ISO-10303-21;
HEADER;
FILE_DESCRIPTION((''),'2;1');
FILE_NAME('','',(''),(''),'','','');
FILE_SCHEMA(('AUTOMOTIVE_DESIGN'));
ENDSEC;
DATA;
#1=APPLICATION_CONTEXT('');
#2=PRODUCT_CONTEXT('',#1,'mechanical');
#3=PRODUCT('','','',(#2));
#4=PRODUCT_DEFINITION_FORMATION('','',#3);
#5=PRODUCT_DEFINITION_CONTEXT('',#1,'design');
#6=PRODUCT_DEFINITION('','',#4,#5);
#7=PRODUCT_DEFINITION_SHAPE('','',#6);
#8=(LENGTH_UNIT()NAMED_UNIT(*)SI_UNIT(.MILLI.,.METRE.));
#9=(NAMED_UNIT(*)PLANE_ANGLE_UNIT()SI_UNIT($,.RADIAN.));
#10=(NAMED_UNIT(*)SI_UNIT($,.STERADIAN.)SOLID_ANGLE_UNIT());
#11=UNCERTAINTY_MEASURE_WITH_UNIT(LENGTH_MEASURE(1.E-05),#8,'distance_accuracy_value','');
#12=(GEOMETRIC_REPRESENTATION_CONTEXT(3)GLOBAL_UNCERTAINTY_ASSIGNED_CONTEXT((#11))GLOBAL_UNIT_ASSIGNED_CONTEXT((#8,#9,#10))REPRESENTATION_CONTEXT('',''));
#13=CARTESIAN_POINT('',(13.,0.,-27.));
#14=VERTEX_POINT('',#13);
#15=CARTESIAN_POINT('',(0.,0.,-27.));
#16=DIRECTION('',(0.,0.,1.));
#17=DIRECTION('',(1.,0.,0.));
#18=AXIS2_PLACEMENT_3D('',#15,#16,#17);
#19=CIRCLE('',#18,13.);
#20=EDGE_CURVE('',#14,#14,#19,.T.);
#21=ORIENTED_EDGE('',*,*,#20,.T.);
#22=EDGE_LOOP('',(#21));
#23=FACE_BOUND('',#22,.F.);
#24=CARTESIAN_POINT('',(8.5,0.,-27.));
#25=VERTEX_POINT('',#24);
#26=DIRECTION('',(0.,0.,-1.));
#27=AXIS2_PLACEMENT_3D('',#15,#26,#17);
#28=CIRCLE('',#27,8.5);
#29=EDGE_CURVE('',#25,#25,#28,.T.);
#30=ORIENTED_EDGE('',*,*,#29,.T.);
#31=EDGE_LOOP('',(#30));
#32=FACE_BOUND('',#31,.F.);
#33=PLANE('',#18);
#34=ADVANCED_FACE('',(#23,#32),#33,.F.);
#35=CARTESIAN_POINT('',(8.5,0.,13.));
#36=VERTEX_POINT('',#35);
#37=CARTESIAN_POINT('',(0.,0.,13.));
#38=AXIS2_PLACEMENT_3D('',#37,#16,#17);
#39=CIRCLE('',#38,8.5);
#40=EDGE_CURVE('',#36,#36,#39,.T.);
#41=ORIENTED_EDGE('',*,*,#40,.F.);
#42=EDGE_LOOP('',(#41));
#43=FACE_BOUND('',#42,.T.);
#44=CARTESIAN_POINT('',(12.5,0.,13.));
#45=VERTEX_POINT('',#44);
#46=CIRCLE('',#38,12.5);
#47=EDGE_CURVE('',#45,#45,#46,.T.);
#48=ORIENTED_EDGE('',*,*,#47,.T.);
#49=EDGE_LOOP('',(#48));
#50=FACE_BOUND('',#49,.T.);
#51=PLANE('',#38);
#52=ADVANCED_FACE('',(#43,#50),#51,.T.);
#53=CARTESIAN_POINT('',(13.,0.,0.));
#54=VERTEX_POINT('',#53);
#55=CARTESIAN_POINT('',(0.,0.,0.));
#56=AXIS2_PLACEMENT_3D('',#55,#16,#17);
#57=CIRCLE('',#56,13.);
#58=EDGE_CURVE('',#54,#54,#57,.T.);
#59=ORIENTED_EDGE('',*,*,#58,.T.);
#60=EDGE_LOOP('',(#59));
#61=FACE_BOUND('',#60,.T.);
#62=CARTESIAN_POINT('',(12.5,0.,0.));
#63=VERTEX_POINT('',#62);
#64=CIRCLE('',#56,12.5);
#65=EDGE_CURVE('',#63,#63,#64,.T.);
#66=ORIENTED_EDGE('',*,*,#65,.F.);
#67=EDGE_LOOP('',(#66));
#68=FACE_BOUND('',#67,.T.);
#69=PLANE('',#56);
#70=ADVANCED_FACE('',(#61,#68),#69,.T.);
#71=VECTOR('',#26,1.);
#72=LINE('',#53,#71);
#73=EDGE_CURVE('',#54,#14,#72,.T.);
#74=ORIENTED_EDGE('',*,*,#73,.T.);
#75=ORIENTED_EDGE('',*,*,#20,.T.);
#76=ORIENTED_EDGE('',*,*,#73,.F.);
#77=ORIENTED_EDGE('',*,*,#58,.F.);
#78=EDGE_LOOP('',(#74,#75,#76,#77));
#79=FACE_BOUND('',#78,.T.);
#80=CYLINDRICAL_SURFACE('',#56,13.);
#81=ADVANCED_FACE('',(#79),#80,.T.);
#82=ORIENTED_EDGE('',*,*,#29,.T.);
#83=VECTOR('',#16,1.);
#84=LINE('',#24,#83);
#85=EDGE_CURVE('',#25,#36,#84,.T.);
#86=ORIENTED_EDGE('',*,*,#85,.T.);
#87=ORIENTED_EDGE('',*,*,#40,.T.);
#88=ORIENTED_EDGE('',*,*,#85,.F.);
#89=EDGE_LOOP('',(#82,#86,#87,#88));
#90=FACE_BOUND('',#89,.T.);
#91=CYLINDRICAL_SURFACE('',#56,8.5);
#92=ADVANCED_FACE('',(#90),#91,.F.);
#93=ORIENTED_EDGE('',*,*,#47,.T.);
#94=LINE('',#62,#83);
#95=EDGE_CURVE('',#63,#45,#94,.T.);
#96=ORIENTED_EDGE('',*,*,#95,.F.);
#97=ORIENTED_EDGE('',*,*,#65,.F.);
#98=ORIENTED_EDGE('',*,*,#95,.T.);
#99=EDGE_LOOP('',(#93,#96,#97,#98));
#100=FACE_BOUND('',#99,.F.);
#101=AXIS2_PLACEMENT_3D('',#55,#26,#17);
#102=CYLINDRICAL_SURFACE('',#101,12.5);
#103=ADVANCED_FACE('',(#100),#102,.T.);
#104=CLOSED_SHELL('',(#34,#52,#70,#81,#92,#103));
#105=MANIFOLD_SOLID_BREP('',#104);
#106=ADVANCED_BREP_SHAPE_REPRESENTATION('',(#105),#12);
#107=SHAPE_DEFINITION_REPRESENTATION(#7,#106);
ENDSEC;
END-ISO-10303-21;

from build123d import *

# Parameters (mm, degrees)
F0_R        = 12.5
F0_R_2      = 8.5
F1_DEPTH    = 13
F0_R_3      = 13
F1_FACE_R   = 12.5
F1_FACE_R_2 = 8.5
F2_DEPTH    = 27


with BuildPart() as f1:
    # F0 (on Top) → F1 (new body)
    with BuildSketch(Plane.XY):
        Circle(F0_R)
        Circle(F0_R_2, mode=Mode.SUBTRACT)
    extrude(amount=F1_DEPTH)

    # F0 (on Top) + F1_face (on face) → F2 (join)
    with BuildSketch(Plane.XY):
        Circle(F0_R_3)
        Circle(F0_R, mode=Mode.SUBTRACT)
    with BuildSketch(Plane(origin=(0, 0, 0), x_dir=(1, 0, 0), z_dir=(0, 0, -1))):
        Circle(F1_FACE_R)
        Circle(F1_FACE_R_2, mode=Mode.SUBTRACT)
    extrude(amount=-F2_DEPTH, dir=(0, 0, 1))


solid = f1.part
